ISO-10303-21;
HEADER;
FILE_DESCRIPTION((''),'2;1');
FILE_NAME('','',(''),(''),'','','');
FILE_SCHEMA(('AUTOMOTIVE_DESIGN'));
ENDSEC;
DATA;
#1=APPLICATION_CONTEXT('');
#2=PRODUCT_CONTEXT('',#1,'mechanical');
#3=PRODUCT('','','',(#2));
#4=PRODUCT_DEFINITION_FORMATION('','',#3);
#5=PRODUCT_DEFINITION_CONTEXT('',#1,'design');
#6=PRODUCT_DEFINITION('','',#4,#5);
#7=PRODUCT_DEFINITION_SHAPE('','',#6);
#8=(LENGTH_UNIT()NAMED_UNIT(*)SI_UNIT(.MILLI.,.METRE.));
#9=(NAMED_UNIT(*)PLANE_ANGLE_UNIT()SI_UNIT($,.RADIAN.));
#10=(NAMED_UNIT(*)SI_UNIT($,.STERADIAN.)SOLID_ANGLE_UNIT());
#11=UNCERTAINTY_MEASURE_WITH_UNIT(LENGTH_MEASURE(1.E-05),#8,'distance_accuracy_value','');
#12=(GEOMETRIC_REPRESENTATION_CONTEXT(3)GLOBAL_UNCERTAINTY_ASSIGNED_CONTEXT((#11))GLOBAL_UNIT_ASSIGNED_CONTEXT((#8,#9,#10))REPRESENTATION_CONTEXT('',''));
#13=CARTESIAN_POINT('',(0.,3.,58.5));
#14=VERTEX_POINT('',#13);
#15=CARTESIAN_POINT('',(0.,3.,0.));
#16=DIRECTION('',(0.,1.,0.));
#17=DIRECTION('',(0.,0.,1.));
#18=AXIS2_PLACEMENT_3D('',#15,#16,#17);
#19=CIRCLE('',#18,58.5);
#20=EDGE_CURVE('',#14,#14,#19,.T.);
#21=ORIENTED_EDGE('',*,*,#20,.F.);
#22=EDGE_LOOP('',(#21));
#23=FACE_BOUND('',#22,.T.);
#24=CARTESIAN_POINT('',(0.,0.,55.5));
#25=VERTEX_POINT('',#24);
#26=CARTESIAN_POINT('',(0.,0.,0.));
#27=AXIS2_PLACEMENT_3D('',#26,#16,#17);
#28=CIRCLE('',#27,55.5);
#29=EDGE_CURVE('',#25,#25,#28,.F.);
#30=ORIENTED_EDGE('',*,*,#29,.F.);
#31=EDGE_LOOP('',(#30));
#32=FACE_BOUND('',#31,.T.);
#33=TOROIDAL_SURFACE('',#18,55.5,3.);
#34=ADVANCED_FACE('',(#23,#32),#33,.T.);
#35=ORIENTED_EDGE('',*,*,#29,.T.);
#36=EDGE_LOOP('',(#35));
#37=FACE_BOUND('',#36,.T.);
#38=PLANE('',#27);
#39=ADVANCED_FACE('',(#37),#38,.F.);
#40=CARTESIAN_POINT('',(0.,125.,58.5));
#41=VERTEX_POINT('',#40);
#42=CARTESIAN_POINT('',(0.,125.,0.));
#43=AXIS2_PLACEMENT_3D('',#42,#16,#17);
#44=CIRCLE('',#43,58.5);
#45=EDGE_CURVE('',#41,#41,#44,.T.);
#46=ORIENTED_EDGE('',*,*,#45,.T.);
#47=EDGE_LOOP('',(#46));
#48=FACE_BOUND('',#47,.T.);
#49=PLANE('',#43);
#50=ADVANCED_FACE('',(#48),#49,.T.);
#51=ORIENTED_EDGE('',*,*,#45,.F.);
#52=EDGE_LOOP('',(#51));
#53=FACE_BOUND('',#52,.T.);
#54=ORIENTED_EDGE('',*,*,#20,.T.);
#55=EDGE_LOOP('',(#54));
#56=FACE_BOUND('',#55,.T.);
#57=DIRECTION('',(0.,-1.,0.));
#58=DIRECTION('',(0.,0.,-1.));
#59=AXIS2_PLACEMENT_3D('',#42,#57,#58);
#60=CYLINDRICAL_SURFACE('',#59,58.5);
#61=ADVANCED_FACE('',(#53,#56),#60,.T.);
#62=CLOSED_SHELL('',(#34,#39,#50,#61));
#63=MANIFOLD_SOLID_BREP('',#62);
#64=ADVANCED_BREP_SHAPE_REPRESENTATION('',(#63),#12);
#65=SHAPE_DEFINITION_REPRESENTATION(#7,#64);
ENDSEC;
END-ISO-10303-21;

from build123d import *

# Parameters (mm, degrees)
SKETCH1_R           = 58.5
BOSS_EXTRUDE1_DEPTH = 125
FILLET1_R           = 3


with BuildPart() as part:
    # Sketch1 → Boss-Extrude1 (new body)
    with BuildSketch(Plane(origin=(0, 0, 0), x_dir=(1, 0, 0), z_dir=(0, 1, 0))):
        Circle(SKETCH1_R)
    extrude(amount=BOSS_EXTRUDE1_DEPTH)

    # Fillet1
    fillet1_edges = [part.edges().sort_by_distance(p)[0] for p in [
        (-58.5, 0, 0),
    ]]
    fillet(fillet1_edges, radius=FILLET1_R)


solid = part.part
